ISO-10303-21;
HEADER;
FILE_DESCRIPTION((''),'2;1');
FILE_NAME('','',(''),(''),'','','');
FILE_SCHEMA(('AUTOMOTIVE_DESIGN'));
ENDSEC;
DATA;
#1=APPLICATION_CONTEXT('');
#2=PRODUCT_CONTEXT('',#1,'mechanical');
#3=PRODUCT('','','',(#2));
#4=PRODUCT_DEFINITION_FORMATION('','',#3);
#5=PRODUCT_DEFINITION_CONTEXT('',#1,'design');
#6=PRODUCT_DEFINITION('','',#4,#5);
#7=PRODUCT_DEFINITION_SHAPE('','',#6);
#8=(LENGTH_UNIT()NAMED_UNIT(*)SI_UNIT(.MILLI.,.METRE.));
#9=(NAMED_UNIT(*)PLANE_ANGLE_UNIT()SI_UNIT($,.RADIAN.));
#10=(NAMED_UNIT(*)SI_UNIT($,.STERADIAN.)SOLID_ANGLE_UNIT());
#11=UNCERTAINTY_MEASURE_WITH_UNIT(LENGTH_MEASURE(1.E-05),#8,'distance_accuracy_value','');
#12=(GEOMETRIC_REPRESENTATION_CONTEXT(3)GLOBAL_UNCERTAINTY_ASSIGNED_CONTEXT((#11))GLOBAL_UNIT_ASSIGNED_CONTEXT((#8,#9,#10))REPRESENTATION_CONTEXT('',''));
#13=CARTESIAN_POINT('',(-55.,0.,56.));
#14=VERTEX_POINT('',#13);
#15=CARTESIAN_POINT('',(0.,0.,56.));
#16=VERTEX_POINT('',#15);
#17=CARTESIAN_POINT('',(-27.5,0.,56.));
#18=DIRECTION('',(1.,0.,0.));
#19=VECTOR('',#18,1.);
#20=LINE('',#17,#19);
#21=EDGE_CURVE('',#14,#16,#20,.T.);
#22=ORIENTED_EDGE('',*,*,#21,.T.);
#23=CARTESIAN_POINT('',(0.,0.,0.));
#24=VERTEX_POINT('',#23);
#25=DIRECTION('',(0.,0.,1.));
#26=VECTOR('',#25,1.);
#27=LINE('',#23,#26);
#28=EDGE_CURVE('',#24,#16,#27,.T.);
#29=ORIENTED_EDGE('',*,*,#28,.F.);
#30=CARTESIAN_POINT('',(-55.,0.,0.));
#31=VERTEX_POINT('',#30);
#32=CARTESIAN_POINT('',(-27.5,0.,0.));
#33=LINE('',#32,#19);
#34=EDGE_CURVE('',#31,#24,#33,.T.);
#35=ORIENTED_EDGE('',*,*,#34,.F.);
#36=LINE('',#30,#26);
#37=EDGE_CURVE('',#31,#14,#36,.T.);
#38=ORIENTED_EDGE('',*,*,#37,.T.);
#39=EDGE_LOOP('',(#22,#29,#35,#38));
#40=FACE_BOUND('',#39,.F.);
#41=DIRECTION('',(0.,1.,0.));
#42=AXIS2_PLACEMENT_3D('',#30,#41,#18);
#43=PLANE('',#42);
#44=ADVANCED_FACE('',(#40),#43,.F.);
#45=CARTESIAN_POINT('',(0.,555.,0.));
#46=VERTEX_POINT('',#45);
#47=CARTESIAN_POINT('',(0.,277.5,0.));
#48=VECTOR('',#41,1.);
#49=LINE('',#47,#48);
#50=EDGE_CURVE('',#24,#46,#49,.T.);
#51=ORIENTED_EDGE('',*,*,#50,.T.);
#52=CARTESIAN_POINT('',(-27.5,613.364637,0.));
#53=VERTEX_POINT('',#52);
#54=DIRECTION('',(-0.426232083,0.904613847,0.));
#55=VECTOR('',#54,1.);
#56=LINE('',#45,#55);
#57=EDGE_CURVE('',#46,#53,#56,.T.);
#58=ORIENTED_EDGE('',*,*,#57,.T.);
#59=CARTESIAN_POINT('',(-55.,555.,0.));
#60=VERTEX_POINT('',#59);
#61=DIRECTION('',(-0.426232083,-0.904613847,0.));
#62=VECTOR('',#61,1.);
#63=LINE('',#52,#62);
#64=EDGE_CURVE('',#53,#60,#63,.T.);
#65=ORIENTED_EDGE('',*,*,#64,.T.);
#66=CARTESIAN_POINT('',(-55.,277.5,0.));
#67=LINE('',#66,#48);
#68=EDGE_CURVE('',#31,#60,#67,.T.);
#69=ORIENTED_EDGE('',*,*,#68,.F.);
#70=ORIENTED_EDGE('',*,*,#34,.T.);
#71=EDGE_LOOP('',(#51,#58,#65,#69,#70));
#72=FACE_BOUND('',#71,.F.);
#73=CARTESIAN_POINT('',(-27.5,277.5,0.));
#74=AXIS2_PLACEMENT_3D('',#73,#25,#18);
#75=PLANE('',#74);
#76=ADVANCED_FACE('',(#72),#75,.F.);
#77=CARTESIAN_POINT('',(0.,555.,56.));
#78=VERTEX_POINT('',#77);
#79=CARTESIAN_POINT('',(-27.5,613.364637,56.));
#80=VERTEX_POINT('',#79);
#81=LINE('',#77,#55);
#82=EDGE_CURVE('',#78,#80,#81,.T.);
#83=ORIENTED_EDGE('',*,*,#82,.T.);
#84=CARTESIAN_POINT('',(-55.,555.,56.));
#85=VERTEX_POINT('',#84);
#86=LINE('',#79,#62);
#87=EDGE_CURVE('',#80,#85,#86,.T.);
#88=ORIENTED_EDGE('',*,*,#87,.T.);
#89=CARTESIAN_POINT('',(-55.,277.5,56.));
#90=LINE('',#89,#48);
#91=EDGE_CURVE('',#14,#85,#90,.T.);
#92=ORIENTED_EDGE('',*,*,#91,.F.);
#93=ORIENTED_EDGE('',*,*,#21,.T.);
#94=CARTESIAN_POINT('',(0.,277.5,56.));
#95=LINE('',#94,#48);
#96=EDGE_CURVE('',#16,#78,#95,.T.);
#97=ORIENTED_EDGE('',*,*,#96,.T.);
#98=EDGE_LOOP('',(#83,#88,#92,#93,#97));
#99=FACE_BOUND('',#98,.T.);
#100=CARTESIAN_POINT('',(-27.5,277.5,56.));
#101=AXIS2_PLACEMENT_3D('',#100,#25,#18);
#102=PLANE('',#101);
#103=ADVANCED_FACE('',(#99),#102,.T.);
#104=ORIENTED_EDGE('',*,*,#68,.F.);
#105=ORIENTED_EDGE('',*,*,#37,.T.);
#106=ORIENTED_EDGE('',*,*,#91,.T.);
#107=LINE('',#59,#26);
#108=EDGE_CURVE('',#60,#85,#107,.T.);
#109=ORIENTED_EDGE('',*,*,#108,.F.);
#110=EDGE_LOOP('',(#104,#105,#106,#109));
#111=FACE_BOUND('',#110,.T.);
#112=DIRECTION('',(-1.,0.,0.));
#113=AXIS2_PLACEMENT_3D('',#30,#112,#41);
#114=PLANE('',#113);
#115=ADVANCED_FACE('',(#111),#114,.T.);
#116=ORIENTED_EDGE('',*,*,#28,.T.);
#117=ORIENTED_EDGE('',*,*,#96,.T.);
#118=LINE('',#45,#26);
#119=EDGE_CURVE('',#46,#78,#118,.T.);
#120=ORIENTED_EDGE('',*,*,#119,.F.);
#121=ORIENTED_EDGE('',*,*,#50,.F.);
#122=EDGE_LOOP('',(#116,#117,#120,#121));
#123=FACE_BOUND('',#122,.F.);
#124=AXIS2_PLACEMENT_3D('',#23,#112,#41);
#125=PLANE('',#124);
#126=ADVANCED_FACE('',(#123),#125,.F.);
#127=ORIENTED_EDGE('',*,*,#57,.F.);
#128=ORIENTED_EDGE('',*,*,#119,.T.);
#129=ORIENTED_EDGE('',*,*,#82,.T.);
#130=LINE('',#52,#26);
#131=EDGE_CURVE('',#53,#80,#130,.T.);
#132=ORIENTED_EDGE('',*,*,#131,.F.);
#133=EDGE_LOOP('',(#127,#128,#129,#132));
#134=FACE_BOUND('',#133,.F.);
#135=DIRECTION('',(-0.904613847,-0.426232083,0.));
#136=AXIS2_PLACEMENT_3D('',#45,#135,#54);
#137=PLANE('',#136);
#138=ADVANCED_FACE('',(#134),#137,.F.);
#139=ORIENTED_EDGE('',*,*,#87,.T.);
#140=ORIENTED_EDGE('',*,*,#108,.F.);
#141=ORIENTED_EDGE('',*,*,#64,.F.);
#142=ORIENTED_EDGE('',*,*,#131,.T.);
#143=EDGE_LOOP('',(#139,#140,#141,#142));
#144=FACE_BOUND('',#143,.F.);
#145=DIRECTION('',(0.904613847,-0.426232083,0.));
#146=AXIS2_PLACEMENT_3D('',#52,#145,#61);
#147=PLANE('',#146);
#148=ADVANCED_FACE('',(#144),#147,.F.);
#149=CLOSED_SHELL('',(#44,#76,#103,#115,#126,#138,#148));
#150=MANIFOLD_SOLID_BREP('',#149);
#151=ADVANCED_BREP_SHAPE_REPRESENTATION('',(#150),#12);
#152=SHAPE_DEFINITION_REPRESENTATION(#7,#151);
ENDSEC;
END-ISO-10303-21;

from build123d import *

# Parameters (mm, degrees)
F0_W     = 55
F0_H     = 555
F1_DEPTH = 56


with BuildPart() as f1:
    # F0 (on Top) → F1 (new body)
    with BuildSketch(Plane.XY):
        with Locations((-27.5, 277.5)):
            Rectangle(F0_W, F0_H)
        Polygon((-55, 555), (0, 555), (-27.5, 613.364637), align=None)
    extrude(amount=F1_DEPTH)


solid = f1.part
